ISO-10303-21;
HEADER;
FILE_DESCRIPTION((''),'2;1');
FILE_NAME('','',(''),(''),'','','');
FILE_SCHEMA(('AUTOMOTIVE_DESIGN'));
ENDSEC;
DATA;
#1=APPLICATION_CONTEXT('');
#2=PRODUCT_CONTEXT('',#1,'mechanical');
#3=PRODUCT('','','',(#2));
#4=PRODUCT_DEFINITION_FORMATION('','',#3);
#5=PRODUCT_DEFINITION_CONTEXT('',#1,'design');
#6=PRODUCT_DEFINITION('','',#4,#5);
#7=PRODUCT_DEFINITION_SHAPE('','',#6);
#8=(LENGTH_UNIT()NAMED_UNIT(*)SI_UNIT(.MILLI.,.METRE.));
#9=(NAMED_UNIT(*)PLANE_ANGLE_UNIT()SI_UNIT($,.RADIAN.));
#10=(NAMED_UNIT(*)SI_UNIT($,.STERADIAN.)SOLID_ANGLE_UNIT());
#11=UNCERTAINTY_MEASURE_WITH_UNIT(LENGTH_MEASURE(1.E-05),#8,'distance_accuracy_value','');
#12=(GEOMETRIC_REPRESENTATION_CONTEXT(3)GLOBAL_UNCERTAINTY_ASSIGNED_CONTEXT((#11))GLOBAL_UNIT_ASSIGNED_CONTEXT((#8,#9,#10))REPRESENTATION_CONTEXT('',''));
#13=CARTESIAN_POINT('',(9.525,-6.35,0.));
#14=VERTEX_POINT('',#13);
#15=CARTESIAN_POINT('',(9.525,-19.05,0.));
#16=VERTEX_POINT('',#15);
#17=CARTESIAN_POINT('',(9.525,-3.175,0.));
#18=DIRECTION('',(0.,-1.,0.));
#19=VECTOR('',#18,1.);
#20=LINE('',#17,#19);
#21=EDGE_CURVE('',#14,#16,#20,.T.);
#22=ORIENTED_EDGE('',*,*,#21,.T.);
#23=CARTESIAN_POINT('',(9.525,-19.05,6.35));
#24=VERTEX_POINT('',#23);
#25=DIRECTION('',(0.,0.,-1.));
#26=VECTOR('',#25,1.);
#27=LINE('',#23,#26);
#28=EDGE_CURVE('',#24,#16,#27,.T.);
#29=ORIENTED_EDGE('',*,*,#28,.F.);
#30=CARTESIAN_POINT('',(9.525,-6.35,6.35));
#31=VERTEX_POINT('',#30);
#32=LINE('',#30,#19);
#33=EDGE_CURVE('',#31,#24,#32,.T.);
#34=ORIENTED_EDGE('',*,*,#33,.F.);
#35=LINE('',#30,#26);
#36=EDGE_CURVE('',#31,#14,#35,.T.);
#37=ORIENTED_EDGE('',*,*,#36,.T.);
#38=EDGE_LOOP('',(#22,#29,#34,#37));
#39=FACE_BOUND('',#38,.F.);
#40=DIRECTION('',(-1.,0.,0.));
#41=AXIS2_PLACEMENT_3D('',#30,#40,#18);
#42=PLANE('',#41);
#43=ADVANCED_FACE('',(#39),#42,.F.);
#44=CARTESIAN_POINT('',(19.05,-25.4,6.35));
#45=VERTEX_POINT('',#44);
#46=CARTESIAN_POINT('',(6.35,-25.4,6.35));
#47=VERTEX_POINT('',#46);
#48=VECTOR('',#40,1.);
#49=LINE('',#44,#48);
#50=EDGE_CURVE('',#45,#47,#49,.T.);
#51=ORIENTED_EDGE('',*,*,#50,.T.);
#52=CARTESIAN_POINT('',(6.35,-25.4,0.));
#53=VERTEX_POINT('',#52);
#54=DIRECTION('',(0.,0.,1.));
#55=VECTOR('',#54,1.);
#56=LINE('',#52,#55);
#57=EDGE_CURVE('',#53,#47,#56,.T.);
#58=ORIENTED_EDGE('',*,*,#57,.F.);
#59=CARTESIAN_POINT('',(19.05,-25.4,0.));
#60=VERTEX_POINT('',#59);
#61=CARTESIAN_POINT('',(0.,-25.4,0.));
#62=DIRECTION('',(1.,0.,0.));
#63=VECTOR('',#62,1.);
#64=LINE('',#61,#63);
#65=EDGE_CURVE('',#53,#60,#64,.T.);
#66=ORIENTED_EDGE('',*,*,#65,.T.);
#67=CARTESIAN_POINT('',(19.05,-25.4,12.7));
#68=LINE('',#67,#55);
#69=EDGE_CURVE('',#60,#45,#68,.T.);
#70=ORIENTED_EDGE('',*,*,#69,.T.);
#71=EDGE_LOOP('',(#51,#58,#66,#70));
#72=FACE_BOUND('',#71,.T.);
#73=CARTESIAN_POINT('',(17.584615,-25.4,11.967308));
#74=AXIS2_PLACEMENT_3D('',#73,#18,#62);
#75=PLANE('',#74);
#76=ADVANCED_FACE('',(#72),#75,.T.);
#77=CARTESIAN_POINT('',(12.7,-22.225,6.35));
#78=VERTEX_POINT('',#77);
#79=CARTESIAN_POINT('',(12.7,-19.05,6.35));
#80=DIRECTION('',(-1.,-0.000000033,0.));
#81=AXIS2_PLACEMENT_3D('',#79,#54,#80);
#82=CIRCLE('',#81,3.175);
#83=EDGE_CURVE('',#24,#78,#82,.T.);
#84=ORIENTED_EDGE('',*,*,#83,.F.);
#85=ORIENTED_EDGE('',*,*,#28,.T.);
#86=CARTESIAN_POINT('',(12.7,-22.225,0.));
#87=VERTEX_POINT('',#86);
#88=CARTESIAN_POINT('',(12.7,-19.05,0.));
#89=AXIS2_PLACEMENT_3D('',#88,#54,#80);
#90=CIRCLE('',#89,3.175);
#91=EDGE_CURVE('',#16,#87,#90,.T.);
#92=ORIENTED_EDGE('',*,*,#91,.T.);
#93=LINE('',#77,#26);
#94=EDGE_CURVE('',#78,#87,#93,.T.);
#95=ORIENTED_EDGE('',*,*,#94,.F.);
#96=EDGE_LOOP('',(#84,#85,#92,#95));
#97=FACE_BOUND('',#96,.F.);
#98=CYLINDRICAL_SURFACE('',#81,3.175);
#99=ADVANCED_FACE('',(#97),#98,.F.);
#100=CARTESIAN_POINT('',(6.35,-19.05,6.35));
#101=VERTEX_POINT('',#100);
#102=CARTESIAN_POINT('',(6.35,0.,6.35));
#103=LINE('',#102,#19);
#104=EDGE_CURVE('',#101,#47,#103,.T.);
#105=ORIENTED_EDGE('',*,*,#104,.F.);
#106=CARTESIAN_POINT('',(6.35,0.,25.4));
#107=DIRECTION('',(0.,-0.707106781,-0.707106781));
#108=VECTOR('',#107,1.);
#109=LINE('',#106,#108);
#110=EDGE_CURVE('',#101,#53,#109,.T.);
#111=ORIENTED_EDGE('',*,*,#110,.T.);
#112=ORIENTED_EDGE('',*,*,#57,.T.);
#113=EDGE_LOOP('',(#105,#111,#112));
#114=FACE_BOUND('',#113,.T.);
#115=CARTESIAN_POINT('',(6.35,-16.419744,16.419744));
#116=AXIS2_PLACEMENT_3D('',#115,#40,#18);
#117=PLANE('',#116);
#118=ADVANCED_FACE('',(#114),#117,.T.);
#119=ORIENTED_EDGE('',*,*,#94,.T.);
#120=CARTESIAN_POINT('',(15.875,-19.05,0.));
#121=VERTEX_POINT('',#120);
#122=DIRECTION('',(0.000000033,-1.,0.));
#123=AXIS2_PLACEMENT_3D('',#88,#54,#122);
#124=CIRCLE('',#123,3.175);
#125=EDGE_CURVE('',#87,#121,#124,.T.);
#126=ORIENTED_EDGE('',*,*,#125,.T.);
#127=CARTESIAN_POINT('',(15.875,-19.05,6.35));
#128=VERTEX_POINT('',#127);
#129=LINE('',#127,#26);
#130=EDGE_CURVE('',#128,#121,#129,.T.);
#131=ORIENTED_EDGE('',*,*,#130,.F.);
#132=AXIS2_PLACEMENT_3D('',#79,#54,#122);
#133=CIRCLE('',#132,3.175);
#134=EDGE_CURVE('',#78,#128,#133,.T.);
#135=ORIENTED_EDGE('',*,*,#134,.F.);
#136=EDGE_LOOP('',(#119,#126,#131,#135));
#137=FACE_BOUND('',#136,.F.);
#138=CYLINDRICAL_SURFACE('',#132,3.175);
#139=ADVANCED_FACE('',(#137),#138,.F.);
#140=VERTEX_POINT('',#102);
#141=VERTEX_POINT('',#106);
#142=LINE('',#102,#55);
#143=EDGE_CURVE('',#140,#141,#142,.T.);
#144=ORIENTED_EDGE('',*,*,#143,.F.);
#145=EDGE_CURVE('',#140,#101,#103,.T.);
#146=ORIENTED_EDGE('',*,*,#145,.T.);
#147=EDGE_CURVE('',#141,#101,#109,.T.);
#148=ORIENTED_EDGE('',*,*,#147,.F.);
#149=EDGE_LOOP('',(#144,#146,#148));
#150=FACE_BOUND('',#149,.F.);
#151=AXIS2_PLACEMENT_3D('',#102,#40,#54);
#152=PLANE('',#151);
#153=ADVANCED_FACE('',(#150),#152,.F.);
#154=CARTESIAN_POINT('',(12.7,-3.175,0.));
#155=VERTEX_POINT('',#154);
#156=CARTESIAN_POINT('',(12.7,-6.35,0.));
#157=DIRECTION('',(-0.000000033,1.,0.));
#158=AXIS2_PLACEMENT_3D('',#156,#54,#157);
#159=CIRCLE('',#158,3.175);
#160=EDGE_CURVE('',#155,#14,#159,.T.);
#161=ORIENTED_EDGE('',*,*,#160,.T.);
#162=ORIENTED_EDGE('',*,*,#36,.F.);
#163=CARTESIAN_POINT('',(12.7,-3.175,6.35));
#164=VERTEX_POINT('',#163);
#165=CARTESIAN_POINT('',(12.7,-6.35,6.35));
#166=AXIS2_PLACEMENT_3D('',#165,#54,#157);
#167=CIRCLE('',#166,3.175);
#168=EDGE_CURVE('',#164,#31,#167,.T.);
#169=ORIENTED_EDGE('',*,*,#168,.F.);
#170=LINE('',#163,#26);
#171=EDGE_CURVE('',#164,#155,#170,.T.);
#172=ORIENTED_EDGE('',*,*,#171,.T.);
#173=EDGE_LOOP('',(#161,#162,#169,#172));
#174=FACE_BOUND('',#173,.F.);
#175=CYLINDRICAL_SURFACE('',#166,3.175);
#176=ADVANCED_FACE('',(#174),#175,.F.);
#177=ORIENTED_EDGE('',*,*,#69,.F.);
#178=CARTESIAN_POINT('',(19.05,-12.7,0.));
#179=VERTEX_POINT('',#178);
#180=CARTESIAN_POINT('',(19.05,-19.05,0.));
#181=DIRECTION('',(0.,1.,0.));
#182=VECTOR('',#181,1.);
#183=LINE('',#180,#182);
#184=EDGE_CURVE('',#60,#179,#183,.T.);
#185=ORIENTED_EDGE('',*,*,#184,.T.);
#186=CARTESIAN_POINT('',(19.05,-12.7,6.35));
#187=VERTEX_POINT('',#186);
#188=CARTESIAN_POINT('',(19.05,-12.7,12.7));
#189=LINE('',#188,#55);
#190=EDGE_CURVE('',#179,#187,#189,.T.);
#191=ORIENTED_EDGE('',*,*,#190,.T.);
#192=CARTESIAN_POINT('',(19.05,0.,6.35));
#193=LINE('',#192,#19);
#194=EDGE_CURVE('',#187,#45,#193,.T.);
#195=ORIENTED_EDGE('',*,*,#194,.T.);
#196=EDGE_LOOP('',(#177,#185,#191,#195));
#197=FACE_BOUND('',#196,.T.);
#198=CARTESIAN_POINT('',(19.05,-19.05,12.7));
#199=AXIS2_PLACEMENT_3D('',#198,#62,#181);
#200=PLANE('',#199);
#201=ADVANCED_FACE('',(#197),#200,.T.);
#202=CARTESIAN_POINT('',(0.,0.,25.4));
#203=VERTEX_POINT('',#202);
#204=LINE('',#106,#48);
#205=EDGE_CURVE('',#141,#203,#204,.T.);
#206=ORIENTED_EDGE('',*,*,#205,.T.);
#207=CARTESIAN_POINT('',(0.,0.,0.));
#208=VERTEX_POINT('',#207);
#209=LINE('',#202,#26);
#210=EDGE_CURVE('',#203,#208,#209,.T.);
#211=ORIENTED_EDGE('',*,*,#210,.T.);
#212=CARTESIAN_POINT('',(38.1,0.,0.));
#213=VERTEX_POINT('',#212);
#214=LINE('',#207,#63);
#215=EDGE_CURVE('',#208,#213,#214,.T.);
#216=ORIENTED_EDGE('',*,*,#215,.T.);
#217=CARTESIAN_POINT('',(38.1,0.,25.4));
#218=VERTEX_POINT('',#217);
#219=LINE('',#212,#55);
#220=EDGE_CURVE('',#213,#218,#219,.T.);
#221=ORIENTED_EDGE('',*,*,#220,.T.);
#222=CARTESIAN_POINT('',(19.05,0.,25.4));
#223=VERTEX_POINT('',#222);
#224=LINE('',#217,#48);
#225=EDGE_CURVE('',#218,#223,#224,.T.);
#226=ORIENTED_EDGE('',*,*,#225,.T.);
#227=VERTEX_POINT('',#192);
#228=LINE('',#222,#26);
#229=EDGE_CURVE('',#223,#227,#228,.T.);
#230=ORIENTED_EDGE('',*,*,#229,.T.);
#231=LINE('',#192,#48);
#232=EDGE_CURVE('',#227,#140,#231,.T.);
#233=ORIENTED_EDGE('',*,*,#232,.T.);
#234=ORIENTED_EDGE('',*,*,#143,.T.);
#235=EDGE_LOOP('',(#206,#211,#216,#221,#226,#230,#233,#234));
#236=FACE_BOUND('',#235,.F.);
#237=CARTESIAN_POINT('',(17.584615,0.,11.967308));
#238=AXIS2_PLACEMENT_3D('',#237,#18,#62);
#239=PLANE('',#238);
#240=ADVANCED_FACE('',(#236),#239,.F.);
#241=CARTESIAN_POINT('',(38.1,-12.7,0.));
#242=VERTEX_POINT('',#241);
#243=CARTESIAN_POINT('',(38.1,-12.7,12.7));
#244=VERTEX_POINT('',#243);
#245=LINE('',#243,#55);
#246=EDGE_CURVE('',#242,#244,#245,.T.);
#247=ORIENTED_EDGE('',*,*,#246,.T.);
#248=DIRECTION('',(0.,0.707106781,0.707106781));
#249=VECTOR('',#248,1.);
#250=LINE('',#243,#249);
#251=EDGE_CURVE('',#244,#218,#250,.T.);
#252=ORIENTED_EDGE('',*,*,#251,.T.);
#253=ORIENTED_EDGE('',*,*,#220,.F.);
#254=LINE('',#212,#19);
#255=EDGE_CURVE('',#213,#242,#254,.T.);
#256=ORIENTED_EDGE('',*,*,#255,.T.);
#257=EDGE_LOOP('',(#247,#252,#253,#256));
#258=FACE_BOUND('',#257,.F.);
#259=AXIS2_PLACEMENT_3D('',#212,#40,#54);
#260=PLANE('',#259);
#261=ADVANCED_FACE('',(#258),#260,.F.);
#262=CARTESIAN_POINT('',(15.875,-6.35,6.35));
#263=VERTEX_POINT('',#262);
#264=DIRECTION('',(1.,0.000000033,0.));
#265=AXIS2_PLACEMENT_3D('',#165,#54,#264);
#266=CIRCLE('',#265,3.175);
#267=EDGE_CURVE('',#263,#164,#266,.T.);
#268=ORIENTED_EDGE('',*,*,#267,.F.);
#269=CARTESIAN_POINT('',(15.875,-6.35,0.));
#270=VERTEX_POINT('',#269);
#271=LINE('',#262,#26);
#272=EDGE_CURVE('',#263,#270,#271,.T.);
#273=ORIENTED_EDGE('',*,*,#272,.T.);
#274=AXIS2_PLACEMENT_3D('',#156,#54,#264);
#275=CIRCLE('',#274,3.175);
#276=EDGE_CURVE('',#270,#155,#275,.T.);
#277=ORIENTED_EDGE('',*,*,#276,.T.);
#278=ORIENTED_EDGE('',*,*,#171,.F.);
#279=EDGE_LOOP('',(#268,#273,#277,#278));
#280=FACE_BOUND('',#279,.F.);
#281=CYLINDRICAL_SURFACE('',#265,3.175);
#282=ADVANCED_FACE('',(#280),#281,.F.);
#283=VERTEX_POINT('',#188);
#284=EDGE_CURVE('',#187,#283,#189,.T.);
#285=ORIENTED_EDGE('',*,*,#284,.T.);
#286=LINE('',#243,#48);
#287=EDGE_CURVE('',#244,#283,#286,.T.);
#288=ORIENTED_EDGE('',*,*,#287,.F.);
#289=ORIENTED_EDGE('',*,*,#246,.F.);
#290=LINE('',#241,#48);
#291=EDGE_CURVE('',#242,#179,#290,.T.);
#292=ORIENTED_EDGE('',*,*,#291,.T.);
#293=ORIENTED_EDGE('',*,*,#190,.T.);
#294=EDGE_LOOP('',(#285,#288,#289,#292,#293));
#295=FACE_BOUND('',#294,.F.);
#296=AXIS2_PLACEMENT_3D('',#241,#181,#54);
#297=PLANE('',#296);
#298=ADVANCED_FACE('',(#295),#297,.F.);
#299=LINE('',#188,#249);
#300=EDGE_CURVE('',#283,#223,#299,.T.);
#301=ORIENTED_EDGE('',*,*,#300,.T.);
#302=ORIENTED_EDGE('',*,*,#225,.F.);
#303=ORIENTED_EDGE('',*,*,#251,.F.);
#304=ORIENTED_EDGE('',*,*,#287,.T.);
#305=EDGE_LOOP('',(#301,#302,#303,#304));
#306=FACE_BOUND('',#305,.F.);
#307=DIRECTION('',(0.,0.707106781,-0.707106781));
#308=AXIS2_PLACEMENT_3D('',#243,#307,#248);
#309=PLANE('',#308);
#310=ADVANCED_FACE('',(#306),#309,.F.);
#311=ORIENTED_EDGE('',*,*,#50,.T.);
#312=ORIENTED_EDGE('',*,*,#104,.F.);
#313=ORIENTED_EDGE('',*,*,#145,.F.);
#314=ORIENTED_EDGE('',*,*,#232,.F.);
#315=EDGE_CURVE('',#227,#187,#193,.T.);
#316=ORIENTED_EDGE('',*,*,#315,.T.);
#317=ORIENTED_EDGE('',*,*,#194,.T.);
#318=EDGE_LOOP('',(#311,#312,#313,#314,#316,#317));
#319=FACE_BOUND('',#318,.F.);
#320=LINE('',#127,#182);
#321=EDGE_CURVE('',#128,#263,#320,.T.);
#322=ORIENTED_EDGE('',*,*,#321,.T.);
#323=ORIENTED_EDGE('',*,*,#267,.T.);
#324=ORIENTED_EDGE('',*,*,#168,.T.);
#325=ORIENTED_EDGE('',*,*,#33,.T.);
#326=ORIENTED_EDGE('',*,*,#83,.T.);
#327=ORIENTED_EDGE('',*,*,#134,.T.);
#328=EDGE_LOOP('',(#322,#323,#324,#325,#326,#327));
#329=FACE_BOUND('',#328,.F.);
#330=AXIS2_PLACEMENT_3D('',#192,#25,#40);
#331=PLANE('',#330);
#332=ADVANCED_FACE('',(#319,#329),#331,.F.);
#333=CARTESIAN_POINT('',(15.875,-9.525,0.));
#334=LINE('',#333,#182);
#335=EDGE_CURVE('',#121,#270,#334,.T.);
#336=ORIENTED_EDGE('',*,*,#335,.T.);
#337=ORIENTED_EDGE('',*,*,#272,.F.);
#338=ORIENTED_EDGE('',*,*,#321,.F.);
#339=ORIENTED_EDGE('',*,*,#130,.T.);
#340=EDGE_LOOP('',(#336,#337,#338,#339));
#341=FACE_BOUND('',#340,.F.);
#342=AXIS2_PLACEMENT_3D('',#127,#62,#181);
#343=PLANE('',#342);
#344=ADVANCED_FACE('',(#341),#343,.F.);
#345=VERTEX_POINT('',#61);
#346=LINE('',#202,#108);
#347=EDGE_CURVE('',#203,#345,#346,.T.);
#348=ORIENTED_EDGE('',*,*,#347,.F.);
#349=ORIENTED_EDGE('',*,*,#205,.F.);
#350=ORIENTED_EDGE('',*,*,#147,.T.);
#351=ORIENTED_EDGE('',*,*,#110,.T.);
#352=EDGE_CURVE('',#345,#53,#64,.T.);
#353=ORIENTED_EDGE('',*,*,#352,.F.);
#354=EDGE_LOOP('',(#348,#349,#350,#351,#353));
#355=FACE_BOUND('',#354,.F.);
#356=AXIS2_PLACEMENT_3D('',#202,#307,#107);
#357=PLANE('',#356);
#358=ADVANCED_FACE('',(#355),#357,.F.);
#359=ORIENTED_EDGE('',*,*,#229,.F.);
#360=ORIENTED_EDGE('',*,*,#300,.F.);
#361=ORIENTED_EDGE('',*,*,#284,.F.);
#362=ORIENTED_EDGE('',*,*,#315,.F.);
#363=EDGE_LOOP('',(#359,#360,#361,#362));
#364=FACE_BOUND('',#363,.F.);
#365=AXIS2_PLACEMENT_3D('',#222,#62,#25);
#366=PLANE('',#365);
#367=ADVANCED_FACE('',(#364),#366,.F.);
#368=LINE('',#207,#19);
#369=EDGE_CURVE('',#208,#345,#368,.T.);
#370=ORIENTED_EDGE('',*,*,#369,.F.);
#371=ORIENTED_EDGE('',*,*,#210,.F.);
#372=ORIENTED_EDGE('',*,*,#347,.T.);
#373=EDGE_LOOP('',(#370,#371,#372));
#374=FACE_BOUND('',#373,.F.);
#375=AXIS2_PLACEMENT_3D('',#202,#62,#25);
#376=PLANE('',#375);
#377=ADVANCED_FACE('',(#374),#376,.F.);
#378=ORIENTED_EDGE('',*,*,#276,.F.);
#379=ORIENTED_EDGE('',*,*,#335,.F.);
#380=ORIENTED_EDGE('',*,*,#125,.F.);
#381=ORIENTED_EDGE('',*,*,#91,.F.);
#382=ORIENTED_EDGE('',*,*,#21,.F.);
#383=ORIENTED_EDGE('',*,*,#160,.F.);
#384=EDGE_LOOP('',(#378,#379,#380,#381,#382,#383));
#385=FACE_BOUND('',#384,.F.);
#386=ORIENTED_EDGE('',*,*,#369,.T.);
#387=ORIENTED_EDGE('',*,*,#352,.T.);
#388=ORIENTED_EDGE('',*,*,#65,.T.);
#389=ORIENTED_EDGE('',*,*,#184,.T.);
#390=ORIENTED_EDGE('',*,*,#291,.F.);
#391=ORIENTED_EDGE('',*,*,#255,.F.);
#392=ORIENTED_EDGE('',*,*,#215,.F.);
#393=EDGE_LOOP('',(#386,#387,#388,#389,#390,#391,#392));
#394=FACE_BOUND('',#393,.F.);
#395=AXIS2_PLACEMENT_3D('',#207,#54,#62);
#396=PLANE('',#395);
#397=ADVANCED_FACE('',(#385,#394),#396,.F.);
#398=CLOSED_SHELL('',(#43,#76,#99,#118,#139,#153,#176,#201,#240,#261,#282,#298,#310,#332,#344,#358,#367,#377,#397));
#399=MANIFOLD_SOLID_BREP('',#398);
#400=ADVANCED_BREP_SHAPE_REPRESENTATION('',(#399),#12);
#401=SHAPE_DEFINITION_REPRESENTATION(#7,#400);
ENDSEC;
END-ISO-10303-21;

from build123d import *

# Parameters (mm, degrees)
F1_DEPTH = 25.4
F2_W     = 12.7
F2_H     = 25.4
F3_DEPTH = 19.05
F5_DEPTH = 19.05
F7_DEPTH = 6.35
F9_DEPTH = 25.4


with BuildPart() as f1:
    # F0 (on Front) → F1 (new body)
    with BuildSketch(Plane.XZ):
        Polygon((0, 25.4), (0, 0), (38.1, 0), (38.1, 25.4), (19.05, 25.4), (19.05, 6.35), (6.35, 6.35), (6.35, 25.4), align=None)
    extrude(amount=F1_DEPTH)

    # F2 (on face) → F3 (cut)
    with BuildSketch(Plane.YZ.offset(38.1)):
        with Locations((-19.05, 12.7)):
            Rectangle(F2_W, F2_H)
    extrude(amount=-F3_DEPTH, mode=Mode.SUBTRACT)

    # F4 (on face) → F5 (cut)
    with BuildSketch(Plane.YZ.offset(38.1)):
        Polygon((-12.7, 25.4), (-12.7, 12.7), (0, 25.4), align=None)
    extrude(amount=-F5_DEPTH, mode=Mode.SUBTRACT)

    # F6 (on face) → F7 (cut)
    with BuildSketch(Plane(origin=(0, 0, 0), x_dir=(0, -1, 0), z_dir=(-1, 0, 0))):
        Polygon((25.4, 25.4), (0, 25.4), (25.4, 0), align=None)
    extrude(amount=-F7_DEPTH, mode=Mode.SUBTRACT)

    # F8 (on face) → F9 (cut)
    with BuildSketch(Plane.XY.offset(6.35)):
        with BuildLine():
            ThreePointArc((12.7, -22.225), (14.945064, -21.295064), (15.875, -19.05))
            ThreePointArc((15.875, -19.05), (12.7, -15.875), (9.525, -19.05))
            ThreePointArc((9.525, -19.05), (10.454936, -21.295064), (12.7, -22.225))
        make_face()
        with BuildLine():
            ThreePointArc((9.525, -19.05), (12.7, -15.875), (15.875, -19.05))
            Line((15.875, -19.05), (15.875, -6.35))
            ThreePointArc((15.875, -6.35), (12.7, -9.525), (9.525, -6.35))
            Line((9.525, -6.35), (9.525, -19.05))
        make_face()
        with BuildLine():
            ThreePointArc((9.525, -6.35), (12.7, -9.525), (15.875, -6.35))
            ThreePointArc((15.875, -6.35), (14.945064, -4.104936), (12.7, -3.175))
            ThreePointArc((12.7, -3.175), (10.454936, -4.104936), (9.525, -6.35))
        make_face()
    extrude(amount=-F9_DEPTH, mode=Mode.SUBTRACT)


solid = f1.part
